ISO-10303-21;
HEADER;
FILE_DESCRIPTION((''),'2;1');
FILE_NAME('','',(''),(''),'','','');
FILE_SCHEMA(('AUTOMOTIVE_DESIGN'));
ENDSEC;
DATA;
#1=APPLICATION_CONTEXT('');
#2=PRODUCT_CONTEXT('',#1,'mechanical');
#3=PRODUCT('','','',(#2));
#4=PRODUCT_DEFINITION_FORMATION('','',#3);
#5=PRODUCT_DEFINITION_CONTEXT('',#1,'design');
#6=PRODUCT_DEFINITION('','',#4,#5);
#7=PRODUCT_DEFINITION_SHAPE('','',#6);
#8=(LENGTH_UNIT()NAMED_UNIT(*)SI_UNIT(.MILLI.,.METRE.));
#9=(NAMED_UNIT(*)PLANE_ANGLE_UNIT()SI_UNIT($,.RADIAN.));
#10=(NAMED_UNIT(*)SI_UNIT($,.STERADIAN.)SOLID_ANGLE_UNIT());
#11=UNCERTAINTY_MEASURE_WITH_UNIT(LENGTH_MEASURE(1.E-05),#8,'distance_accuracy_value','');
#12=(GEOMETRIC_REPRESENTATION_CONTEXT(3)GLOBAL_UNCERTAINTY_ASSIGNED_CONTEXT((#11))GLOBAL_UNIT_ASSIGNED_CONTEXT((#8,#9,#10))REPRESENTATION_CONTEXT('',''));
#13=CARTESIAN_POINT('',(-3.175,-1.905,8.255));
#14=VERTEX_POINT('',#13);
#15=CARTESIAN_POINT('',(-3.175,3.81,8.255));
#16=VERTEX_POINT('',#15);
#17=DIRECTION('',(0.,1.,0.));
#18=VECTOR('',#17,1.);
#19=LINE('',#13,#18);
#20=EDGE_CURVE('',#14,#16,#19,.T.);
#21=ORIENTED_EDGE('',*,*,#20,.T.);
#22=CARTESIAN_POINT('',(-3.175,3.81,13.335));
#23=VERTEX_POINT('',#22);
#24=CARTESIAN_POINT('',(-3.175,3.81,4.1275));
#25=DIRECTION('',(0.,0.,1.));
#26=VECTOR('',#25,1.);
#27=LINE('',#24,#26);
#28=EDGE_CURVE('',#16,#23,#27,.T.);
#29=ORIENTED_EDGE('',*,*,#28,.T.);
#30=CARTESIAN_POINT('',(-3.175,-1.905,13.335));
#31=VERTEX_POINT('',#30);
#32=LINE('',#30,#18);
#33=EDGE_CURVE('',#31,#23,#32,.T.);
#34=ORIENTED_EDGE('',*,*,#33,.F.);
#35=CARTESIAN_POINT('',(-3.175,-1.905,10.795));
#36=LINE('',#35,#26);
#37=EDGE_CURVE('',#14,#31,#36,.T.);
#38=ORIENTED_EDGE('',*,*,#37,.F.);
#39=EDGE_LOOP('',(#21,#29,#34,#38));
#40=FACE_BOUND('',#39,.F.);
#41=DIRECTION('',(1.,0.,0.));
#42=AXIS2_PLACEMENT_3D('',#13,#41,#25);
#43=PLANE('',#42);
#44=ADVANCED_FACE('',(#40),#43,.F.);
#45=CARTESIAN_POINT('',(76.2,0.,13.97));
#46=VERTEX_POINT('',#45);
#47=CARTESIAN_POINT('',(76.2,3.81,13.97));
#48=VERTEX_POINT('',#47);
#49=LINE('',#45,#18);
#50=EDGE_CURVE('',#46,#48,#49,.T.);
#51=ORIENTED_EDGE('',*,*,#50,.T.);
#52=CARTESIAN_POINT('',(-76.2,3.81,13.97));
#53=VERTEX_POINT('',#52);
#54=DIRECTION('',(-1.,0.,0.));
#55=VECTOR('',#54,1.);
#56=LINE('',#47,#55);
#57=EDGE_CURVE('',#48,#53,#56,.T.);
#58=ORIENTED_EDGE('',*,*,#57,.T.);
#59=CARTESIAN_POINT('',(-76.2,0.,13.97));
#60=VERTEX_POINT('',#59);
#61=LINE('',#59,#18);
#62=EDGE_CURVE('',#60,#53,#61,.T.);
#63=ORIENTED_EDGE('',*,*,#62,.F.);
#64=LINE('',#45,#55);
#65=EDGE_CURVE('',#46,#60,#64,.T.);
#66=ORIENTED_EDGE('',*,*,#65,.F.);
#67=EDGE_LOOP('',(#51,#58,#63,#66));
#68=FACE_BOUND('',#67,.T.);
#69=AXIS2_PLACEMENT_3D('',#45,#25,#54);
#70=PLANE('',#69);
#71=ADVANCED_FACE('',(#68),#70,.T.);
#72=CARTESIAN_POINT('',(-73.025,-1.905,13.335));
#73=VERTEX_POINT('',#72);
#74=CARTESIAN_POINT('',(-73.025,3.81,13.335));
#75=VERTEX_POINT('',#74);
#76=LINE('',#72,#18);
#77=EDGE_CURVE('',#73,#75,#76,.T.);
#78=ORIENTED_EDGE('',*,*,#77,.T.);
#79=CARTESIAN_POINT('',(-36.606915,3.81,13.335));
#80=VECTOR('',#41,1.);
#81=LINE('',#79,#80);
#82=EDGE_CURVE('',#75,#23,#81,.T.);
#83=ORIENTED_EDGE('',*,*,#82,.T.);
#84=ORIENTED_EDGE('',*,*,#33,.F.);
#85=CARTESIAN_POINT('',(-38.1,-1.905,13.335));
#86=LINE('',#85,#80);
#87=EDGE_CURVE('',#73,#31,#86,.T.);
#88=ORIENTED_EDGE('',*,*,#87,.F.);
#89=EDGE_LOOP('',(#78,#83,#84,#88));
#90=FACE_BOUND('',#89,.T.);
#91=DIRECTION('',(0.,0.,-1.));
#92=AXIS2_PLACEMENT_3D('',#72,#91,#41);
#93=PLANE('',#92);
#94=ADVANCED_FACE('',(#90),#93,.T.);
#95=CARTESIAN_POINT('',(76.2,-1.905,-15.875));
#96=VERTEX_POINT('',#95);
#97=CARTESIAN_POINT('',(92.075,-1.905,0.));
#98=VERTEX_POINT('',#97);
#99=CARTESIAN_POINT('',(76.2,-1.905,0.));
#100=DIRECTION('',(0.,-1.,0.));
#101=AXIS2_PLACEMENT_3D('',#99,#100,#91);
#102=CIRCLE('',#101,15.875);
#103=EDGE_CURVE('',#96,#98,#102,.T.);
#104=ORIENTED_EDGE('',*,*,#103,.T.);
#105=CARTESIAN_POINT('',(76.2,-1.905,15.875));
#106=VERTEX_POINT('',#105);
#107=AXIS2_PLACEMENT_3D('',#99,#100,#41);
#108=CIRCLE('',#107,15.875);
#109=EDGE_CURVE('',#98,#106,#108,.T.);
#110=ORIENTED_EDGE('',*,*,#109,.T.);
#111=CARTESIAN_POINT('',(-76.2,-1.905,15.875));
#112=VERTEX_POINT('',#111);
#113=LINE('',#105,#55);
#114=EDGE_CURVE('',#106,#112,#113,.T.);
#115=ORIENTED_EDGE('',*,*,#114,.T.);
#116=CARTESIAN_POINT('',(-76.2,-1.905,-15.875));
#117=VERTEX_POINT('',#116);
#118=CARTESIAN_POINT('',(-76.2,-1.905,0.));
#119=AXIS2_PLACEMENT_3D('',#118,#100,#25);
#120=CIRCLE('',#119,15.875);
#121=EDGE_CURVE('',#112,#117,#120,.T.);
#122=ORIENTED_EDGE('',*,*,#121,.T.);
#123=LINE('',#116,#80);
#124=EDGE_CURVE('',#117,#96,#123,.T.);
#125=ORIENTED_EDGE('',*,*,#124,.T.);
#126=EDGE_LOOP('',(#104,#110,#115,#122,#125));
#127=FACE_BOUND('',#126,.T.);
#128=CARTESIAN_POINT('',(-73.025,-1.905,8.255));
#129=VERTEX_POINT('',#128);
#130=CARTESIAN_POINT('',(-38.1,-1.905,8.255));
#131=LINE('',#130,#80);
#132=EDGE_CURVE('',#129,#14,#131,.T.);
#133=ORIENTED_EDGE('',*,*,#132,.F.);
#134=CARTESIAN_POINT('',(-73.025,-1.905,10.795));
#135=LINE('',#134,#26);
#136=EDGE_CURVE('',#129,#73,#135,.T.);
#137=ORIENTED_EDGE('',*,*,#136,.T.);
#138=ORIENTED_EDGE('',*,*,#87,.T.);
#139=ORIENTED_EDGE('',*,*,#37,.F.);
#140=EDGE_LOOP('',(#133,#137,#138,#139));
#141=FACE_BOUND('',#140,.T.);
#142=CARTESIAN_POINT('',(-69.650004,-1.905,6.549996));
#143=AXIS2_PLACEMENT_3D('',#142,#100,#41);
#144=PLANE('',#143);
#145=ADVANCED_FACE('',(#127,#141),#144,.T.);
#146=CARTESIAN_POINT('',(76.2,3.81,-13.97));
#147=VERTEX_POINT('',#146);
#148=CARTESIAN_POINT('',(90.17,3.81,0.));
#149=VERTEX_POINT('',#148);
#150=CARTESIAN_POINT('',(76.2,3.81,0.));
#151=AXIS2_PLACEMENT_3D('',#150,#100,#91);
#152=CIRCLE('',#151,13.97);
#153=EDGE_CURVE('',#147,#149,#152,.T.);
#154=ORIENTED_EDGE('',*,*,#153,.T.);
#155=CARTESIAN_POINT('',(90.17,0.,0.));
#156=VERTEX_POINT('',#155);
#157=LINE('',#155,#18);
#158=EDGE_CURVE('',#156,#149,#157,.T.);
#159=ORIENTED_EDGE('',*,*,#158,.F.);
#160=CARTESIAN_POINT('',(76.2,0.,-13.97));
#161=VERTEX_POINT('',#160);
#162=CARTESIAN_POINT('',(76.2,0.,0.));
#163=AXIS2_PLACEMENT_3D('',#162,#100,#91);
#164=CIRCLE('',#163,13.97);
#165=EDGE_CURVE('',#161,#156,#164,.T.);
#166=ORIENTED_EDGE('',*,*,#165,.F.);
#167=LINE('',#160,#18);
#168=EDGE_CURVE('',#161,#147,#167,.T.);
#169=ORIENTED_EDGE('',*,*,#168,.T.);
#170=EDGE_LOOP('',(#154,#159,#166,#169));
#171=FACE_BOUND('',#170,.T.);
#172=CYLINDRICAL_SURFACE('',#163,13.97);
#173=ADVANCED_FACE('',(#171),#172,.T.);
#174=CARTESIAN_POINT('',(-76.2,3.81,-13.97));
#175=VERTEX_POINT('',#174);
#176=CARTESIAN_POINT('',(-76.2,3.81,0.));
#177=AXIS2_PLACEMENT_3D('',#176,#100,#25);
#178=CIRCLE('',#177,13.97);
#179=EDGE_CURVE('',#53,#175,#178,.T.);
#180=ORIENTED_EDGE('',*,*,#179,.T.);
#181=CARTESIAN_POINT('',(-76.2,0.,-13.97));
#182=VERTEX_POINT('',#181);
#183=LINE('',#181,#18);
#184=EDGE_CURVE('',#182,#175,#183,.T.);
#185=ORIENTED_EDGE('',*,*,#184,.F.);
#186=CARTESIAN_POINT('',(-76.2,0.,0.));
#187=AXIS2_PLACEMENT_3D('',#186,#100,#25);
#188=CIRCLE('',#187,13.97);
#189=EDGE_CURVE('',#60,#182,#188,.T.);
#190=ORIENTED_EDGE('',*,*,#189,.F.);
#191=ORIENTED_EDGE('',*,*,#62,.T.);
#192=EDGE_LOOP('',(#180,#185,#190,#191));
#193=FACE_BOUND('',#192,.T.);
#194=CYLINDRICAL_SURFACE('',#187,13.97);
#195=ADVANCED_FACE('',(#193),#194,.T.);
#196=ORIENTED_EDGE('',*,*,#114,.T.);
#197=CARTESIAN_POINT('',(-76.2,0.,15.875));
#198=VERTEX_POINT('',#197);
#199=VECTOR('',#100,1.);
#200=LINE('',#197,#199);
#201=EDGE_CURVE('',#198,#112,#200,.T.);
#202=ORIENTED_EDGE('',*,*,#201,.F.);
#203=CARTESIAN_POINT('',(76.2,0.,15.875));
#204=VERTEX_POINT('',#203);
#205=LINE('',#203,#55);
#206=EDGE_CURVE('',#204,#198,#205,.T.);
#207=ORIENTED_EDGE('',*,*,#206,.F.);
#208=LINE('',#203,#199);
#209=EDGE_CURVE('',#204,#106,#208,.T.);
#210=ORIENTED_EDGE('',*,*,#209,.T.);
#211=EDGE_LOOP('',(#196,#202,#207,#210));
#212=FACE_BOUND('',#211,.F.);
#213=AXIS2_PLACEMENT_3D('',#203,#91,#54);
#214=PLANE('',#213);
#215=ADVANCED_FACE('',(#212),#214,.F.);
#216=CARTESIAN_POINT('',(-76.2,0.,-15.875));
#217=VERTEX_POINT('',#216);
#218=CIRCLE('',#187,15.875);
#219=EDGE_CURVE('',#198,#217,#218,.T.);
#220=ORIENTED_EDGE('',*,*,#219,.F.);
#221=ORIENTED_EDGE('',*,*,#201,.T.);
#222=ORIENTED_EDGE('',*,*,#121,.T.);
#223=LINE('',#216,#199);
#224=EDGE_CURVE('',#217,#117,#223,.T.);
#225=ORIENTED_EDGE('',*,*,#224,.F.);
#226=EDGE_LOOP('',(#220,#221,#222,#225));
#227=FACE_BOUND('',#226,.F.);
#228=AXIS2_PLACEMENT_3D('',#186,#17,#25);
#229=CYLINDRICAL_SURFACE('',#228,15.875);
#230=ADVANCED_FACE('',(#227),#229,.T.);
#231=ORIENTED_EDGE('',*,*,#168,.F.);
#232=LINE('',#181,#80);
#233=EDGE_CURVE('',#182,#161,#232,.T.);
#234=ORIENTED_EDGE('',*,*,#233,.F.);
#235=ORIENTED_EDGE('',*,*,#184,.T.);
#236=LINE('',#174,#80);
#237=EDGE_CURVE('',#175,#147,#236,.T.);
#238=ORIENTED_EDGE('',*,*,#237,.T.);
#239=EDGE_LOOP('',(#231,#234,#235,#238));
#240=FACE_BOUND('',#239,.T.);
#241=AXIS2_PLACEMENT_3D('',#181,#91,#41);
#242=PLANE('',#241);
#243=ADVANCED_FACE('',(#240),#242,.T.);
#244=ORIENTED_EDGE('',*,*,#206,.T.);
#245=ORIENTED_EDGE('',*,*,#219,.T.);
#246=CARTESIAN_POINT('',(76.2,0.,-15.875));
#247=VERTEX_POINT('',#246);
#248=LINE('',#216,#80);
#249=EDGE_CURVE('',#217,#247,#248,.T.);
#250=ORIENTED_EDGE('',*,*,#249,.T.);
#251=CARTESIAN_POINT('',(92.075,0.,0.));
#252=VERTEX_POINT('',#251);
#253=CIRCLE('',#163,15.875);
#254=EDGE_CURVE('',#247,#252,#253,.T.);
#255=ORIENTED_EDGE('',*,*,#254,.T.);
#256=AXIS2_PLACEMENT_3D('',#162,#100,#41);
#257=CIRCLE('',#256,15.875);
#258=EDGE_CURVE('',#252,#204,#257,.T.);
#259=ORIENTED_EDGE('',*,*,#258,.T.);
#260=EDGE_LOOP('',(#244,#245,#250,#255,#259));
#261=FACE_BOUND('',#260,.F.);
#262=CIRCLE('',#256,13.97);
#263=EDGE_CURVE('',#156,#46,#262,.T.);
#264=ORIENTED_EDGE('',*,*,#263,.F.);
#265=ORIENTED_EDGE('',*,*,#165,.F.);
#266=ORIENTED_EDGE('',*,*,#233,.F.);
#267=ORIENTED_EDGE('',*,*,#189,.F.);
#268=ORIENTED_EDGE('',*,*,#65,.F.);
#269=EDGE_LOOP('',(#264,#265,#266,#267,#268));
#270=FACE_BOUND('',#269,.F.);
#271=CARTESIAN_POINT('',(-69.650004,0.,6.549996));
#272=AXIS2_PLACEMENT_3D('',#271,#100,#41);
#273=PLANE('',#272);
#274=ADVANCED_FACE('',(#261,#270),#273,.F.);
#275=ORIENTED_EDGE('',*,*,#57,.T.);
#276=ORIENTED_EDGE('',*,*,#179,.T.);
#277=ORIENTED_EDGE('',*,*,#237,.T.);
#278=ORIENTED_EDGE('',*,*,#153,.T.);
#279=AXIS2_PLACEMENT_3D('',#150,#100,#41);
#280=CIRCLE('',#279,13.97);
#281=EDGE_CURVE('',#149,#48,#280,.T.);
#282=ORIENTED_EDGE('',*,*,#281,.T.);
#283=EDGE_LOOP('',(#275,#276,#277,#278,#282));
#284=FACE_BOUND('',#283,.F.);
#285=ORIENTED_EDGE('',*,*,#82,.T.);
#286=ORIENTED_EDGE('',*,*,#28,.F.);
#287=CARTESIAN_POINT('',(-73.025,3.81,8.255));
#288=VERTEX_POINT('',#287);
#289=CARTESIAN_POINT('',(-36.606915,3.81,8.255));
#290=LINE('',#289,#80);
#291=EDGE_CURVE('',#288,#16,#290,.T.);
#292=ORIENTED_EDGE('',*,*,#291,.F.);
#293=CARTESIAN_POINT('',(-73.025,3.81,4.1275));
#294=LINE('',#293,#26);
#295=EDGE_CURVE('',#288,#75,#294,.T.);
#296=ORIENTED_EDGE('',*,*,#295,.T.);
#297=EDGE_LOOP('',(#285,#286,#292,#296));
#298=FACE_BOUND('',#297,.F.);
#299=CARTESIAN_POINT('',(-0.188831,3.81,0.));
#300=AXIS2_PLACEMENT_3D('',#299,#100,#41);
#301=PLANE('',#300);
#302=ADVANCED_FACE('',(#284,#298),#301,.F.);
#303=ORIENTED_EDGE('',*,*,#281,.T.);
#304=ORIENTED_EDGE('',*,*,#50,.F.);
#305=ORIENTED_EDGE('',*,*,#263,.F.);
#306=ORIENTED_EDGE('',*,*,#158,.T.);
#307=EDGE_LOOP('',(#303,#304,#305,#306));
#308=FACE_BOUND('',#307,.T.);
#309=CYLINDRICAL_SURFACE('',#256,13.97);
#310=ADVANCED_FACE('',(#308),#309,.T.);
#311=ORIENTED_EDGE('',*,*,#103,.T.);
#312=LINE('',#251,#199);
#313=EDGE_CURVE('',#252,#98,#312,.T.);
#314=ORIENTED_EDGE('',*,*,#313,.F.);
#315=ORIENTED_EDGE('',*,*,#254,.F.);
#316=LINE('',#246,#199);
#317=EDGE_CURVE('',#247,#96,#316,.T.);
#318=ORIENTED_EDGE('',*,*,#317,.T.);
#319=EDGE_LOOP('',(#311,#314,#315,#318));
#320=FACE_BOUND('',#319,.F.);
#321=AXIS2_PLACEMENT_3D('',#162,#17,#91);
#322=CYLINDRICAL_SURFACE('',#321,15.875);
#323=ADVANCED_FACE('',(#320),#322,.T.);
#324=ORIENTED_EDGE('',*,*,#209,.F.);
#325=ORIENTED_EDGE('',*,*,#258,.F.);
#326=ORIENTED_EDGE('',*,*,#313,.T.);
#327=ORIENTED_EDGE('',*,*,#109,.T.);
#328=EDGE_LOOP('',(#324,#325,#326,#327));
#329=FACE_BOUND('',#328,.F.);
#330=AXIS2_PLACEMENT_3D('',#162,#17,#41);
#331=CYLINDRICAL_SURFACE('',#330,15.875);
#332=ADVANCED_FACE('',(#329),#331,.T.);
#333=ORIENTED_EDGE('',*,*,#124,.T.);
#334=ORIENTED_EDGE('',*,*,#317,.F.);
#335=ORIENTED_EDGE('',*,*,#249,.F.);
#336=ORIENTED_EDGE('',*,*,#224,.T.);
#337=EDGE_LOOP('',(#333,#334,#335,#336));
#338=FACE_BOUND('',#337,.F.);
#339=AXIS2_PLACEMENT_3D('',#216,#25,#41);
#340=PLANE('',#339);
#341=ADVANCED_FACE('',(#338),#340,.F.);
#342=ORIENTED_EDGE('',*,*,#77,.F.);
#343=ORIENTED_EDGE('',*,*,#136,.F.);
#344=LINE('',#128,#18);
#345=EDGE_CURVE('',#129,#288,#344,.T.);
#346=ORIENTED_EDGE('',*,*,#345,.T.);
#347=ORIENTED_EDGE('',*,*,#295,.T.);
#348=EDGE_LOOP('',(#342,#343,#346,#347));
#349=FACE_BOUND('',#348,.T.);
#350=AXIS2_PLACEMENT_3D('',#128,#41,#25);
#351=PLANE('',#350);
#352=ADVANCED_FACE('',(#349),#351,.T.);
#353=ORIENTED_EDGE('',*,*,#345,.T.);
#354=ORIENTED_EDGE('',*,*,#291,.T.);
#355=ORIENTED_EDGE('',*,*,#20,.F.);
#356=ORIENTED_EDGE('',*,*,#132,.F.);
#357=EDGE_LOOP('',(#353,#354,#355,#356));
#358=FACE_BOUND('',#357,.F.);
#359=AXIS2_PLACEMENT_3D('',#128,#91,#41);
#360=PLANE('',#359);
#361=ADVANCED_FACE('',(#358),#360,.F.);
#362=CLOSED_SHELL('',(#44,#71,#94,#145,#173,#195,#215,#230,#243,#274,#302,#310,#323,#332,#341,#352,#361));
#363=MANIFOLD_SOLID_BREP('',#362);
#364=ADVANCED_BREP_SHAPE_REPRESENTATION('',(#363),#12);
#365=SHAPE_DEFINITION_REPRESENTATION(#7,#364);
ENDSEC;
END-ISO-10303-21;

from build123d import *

# Parameters (mm, degrees)
F2_DEPTH = 1.905
F3_DEPTH = 3.81
F4_W     = 69.85
F4_H     = 5.08
F5_DEPTH = 5.716


with BuildPart() as f2:
    # F0 (on Front) → F2 (new body)
    with BuildSketch(Plane.XZ):
        with BuildLine():
            Line((-76.2, 15.875), (-76.2, 0))
            Line((-76.2, 0), (-60.325, 0))
            ThreePointArc((-60.325, 0), (-64.9746798487, 11.2253201513), (-76.2, 15.875))
        make_face()
        with BuildLine():
            Line((-60.325, 0), (-76.2, 0))
            Line((-76.2, 0), (-76.2, -15.875))
            ThreePointArc((-76.2, -15.875), (-64.9746798487, -11.2253201513), (-60.325, 0))
        make_face()
        with BuildLine():
            Line((-76.2, -15.875), (-76.2, 0))
            Line((-76.2, 0), (-76.2, 15.875))
            ThreePointArc((-76.2, 15.875), (-92.075, 0), (-76.2, -15.875))
        make_face()
        with BuildLine():
            ThreePointArc((-76.2, 15.875), (-64.9746798487, 11.2253201513), (-60.325, 0))
            Line((-60.325, 0), (60.325, 0))
            ThreePointArc((60.325, 0), (64.9746798487, 11.2253201513), (76.2, 15.875))
            Line((76.2, 15.875), (-76.2, 15.875))
        make_face()
        with BuildLine():
            Line((60.325, 0), (-60.325, 0))
            ThreePointArc((-60.325, 0), (-64.9746798487, -11.2253201513), (-76.2, -15.875))
            Line((-76.2, -15.875), (76.2, -15.875))
            ThreePointArc((76.2, -15.875), (64.9746798487, -11.2253201513), (60.325, 0))
        make_face()
        with BuildLine():
            ThreePointArc((76.2, 15.875), (64.9746798487, 11.2253201513), (60.325, 0))
            Line((60.325, 0), (76.2, 0))
            Line((76.2, 0), (76.2, 15.875))
        make_face()
        with BuildLine():
            Line((76.2, 0), (60.325, 0))
            ThreePointArc((60.325, 0), (64.9746798487, -11.2253201513), (76.2, -15.875))
            Line((76.2, -15.875), (76.2, 0))
        make_face()
        with BuildLine():
            Line((76.2, 0), (76.2, -15.875))
            ThreePointArc((76.2, -15.875), (87.4253201513, -11.2253201513), (92.075, 0))
            ThreePointArc((92.075, 0), (87.4253201513, 11.2253201513), (76.2, 15.875))
            Line((76.2, 15.875), (76.2, 0))
        make_face()
    extrude(amount=F2_DEPTH)

    # F1 (on Front) → F3 (join)
    with BuildSketch(Plane.XZ):
        with BuildLine():
            ThreePointArc((76.2, -13.97), (62.23, 0), (76.2, 13.97))
            Line((76.2, 13.97), (-76.2, 13.97))
            ThreePointArc((-76.2, 13.97), (-66.3217182668, 9.8782817332), (-62.23, 0))
            ThreePointArc((-62.23, 0), (-66.3217182668, -9.8782817332), (-76.2, -13.97))
            Line((-76.2, -13.97), (76.2, -13.97))
        make_face()
        with BuildLine():
            ThreePointArc((90.17, 0), (86.0782817332, 9.8782817332), (76.2, 13.97))
            Line((76.2, 13.97), (76.2, -13.97))
            ThreePointArc((76.2, -13.97), (86.0782817332, -9.8782817332), (90.17, 0))
        make_face()
        with BuildLine():
            Line((76.2, -13.97), (76.2, 13.97))
            ThreePointArc((76.2, 13.97), (62.23, 0), (76.2, -13.97))
        make_face()
        with BuildLine():
            ThreePointArc((-62.23, 0), (-66.3217182668, 9.8782817332), (-76.2, 13.97))
            Line((-76.2, 13.97), (-76.2, -13.97))
            ThreePointArc((-76.2, -13.97), (-66.3217182668, -9.8782817332), (-62.23, 0))
        make_face()
        with BuildLine():
            Line((-76.2, -13.97), (-76.2, 13.97))
            ThreePointArc((-76.2, 13.97), (-90.17, 0), (-76.2, -13.97))
        make_face()
    extrude(amount=-F3_DEPTH)

    # F4 (on face) → F5 (cut, through all)
    with BuildSketch(Plane.XZ.offset(1.905)):
        with Locations((-38.1, 10.795)):
            Rectangle(F4_W, F4_H)
    extrude(amount=-F5_DEPTH, mode=Mode.SUBTRACT)


solid = f2.part
